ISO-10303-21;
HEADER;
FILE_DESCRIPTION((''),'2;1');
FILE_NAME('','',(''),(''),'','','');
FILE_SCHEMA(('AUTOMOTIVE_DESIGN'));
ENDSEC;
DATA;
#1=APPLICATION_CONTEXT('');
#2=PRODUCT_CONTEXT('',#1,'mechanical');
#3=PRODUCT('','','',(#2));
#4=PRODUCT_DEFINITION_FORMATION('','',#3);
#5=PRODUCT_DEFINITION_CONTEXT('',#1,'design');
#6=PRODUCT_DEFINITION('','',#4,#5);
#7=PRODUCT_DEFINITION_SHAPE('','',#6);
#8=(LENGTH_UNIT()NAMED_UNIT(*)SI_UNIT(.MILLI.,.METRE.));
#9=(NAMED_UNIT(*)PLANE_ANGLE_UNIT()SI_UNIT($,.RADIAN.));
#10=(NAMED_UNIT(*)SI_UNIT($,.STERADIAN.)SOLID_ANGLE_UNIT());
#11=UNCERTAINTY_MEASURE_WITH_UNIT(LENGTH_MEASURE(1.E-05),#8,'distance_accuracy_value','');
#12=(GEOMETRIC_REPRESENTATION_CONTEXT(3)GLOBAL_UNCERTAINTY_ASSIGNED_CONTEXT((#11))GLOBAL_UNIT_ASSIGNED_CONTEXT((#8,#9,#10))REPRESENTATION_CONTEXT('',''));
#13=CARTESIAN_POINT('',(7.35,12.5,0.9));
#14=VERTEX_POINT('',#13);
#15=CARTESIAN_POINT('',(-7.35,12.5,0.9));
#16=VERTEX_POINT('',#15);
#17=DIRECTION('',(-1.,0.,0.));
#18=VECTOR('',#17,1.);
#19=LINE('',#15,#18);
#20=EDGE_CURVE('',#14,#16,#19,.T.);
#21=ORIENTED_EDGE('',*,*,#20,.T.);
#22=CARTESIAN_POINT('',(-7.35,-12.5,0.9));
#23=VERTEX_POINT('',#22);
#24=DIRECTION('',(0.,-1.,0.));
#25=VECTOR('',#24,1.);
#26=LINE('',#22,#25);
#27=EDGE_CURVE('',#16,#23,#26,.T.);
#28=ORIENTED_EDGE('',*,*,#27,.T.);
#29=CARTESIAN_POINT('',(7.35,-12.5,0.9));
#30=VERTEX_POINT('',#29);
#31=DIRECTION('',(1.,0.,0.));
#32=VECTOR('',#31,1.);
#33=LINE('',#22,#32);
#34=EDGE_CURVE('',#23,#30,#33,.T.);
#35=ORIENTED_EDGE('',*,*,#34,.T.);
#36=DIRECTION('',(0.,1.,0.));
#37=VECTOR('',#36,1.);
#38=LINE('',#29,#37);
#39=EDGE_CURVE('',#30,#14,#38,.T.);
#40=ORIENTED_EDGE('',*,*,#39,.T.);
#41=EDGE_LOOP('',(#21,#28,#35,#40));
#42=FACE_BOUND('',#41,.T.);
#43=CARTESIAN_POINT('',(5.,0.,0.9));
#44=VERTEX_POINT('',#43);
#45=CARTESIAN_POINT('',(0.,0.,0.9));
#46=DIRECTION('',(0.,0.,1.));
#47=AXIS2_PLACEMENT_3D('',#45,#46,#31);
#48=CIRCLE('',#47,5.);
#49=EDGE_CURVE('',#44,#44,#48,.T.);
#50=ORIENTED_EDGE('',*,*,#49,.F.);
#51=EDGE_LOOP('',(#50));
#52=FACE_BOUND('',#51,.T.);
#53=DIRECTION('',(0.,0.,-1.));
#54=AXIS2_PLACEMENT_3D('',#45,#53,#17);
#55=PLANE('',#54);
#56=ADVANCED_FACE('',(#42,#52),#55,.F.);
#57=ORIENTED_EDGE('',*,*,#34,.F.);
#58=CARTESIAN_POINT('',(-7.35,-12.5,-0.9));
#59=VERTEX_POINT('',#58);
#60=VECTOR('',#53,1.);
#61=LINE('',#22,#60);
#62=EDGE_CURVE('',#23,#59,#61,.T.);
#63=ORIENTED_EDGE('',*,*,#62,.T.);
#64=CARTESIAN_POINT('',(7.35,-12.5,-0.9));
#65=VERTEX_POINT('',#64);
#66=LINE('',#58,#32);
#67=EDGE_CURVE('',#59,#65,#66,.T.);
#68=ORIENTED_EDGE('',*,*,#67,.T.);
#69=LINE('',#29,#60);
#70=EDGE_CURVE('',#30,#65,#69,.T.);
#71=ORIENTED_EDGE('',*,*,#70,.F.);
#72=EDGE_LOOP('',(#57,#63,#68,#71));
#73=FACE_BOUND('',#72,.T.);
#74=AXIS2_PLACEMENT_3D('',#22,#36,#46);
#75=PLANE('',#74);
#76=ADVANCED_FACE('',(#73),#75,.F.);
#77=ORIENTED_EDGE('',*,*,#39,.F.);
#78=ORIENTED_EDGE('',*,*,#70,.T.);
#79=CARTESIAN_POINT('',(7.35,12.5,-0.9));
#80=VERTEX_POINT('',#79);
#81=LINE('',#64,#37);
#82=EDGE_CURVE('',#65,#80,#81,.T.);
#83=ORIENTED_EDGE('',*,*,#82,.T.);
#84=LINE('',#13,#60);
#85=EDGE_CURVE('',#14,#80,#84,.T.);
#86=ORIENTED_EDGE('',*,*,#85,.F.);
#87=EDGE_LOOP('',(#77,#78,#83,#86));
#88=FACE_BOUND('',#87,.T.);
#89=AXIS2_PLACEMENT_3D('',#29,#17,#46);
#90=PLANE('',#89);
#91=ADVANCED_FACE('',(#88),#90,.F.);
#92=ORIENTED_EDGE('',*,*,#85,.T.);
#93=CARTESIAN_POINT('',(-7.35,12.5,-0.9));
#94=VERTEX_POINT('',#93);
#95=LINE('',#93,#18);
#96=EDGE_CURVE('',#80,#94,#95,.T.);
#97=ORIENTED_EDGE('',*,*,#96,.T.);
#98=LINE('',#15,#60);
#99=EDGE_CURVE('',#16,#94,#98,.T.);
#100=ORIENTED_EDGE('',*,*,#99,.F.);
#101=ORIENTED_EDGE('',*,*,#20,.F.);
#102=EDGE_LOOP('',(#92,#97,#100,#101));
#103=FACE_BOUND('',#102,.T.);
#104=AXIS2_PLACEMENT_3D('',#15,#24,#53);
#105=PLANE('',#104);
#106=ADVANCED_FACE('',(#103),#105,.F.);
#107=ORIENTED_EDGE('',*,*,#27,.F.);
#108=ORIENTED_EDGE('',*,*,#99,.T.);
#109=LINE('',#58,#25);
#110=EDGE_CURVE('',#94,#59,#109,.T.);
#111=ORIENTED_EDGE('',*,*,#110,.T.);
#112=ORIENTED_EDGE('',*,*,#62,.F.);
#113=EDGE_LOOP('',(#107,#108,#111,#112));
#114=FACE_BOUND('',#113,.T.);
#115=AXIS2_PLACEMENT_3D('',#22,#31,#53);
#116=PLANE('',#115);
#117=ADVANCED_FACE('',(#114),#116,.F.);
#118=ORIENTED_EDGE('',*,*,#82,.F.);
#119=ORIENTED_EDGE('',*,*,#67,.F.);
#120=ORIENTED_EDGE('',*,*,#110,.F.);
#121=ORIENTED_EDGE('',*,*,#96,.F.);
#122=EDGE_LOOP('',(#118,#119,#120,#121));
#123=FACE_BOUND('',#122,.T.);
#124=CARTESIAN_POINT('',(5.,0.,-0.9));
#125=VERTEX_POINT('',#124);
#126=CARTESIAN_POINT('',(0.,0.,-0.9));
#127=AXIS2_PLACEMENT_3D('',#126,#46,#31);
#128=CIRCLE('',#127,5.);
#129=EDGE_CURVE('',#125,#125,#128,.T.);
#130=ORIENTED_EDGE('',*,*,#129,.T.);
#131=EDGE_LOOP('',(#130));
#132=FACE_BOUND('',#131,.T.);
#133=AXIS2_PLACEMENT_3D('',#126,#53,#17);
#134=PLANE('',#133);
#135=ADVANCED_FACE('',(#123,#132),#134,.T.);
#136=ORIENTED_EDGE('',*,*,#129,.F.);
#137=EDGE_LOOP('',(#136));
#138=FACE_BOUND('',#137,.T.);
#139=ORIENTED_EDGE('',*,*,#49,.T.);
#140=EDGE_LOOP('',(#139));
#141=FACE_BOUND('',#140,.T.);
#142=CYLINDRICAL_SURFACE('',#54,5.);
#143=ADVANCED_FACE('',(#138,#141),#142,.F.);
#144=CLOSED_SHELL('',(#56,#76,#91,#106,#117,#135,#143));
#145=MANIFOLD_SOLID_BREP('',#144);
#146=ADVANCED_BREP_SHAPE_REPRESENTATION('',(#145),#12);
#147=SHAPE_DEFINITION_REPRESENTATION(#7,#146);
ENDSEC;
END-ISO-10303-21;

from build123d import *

# Parameters (mm, degrees)
SKETCH1_W           = 14.7
SKETCH1_H           = 25
SKETCH1_R           = 5
BOSS_EXTRUDE1_DEPTH = 0.9


with BuildPart() as part:
    # Sketch1 → Boss-Extrude1 (new, symmetric)
    with BuildSketch(Plane.XY):
        Rectangle(SKETCH1_W, SKETCH1_H)
        Circle(SKETCH1_R, mode=Mode.SUBTRACT)
    extrude(amount=BOSS_EXTRUDE1_DEPTH, both=True)


solid = part.part
